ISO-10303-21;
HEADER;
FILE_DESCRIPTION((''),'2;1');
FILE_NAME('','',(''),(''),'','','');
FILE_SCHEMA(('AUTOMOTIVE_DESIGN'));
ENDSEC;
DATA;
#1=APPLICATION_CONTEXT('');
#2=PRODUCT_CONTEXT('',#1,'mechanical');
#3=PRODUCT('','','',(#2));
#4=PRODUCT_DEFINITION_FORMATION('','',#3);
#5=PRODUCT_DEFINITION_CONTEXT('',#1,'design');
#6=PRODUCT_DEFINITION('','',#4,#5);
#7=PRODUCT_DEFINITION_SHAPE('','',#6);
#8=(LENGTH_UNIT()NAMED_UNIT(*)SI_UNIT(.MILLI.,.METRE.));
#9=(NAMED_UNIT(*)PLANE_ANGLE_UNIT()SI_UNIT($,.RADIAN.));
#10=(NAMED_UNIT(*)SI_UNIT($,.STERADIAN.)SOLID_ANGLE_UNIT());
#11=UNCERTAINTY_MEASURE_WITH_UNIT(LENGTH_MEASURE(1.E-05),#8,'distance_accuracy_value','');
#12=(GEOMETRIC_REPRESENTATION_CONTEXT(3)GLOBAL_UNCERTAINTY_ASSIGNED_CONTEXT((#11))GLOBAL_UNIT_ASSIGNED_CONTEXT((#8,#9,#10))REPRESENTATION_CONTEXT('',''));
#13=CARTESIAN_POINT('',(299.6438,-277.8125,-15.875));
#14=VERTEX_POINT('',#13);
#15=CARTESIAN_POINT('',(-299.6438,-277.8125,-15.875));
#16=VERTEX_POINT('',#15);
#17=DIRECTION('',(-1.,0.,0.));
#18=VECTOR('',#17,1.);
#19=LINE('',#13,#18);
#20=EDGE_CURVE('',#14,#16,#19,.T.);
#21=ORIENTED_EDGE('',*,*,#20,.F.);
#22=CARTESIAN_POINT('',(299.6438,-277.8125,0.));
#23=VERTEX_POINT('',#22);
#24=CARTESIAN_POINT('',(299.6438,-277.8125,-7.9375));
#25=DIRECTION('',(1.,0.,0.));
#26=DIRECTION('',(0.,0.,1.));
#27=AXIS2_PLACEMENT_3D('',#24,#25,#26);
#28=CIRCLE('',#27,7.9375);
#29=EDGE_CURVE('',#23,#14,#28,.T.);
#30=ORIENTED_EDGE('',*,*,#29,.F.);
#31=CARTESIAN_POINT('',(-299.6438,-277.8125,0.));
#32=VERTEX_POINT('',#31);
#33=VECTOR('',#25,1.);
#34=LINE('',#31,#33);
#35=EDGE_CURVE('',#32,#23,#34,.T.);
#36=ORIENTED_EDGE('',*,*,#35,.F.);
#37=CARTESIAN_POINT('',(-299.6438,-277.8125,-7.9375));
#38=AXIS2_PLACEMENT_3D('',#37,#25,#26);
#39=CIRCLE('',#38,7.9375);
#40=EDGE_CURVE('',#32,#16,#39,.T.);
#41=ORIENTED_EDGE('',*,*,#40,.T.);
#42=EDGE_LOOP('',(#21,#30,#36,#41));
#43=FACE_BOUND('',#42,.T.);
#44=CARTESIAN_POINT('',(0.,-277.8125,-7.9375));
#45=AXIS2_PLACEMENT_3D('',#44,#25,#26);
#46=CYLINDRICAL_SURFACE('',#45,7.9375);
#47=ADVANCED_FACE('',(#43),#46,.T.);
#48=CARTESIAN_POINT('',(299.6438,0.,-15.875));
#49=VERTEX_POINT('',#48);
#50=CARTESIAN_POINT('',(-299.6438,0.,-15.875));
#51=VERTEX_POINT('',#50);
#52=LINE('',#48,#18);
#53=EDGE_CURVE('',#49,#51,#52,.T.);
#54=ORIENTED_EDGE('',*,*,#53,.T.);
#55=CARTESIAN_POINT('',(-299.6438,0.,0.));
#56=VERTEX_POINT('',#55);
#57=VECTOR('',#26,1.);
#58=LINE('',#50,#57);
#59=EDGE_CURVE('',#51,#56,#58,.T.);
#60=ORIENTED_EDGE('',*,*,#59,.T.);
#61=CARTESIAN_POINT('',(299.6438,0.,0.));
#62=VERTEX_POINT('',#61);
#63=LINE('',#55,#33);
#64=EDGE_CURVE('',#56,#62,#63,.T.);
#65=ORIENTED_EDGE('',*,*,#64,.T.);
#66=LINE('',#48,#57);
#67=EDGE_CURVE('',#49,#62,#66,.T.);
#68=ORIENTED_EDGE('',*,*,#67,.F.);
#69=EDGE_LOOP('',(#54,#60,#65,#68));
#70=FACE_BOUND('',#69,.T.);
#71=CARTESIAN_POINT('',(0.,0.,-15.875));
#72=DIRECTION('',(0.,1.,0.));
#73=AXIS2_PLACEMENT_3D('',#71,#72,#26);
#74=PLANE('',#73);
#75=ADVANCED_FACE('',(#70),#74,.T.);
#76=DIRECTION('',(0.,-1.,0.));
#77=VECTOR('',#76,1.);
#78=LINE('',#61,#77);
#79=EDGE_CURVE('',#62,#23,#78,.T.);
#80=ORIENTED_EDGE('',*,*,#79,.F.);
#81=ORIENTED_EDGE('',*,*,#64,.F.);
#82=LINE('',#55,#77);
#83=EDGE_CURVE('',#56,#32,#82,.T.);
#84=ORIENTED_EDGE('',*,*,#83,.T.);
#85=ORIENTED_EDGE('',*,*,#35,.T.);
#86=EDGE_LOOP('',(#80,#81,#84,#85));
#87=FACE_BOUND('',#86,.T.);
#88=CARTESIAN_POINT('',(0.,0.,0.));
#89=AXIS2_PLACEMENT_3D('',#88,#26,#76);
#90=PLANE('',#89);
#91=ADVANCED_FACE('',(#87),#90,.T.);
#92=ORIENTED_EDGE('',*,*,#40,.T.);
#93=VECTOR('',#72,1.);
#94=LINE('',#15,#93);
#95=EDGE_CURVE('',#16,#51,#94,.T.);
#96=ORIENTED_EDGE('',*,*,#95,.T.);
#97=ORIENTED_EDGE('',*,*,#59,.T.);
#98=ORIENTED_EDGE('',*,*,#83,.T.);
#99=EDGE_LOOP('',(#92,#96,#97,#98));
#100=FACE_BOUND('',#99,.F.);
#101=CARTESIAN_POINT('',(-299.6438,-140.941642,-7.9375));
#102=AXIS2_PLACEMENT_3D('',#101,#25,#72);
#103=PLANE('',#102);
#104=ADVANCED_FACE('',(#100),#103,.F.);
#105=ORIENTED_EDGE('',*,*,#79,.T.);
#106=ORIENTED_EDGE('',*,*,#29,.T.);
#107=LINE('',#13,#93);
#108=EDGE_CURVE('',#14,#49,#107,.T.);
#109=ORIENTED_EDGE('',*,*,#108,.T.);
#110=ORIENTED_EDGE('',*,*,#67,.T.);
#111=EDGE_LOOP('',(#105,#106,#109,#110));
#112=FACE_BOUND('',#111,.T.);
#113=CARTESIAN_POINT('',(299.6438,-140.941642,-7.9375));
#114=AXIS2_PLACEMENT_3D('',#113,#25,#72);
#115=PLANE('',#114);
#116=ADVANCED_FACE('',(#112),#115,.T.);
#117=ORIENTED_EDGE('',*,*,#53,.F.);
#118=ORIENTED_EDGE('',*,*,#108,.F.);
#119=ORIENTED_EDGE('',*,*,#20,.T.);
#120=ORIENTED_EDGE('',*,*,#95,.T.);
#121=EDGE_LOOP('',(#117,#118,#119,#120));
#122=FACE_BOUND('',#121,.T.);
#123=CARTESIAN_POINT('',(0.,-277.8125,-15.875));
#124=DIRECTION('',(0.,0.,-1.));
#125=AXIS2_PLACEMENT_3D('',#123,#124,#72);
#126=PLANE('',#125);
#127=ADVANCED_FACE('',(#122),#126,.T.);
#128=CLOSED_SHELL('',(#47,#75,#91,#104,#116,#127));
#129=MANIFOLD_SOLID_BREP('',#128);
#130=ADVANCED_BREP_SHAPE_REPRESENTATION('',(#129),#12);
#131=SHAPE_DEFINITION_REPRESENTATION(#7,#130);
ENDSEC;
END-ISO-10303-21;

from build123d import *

# Parameters (mm, degrees)
F1_DEPTH = 299.6438


with BuildPart() as f1:
    # F0 (on Right) → F1 (new body, symmetric)
    with BuildSketch(Plane.YZ):
        with BuildLine():
            Line((0, -15.875), (0, 0))
            Line((0, 0), (-277.8125, 0))
            ThreePointArc((-277.8125, 0), (-285.75, -7.9375), (-277.8125, -15.875))
            Line((-277.8125, -15.875), (0, -15.875))
        make_face()
    extrude(amount=F1_DEPTH, both=True)


solid = f1.part
